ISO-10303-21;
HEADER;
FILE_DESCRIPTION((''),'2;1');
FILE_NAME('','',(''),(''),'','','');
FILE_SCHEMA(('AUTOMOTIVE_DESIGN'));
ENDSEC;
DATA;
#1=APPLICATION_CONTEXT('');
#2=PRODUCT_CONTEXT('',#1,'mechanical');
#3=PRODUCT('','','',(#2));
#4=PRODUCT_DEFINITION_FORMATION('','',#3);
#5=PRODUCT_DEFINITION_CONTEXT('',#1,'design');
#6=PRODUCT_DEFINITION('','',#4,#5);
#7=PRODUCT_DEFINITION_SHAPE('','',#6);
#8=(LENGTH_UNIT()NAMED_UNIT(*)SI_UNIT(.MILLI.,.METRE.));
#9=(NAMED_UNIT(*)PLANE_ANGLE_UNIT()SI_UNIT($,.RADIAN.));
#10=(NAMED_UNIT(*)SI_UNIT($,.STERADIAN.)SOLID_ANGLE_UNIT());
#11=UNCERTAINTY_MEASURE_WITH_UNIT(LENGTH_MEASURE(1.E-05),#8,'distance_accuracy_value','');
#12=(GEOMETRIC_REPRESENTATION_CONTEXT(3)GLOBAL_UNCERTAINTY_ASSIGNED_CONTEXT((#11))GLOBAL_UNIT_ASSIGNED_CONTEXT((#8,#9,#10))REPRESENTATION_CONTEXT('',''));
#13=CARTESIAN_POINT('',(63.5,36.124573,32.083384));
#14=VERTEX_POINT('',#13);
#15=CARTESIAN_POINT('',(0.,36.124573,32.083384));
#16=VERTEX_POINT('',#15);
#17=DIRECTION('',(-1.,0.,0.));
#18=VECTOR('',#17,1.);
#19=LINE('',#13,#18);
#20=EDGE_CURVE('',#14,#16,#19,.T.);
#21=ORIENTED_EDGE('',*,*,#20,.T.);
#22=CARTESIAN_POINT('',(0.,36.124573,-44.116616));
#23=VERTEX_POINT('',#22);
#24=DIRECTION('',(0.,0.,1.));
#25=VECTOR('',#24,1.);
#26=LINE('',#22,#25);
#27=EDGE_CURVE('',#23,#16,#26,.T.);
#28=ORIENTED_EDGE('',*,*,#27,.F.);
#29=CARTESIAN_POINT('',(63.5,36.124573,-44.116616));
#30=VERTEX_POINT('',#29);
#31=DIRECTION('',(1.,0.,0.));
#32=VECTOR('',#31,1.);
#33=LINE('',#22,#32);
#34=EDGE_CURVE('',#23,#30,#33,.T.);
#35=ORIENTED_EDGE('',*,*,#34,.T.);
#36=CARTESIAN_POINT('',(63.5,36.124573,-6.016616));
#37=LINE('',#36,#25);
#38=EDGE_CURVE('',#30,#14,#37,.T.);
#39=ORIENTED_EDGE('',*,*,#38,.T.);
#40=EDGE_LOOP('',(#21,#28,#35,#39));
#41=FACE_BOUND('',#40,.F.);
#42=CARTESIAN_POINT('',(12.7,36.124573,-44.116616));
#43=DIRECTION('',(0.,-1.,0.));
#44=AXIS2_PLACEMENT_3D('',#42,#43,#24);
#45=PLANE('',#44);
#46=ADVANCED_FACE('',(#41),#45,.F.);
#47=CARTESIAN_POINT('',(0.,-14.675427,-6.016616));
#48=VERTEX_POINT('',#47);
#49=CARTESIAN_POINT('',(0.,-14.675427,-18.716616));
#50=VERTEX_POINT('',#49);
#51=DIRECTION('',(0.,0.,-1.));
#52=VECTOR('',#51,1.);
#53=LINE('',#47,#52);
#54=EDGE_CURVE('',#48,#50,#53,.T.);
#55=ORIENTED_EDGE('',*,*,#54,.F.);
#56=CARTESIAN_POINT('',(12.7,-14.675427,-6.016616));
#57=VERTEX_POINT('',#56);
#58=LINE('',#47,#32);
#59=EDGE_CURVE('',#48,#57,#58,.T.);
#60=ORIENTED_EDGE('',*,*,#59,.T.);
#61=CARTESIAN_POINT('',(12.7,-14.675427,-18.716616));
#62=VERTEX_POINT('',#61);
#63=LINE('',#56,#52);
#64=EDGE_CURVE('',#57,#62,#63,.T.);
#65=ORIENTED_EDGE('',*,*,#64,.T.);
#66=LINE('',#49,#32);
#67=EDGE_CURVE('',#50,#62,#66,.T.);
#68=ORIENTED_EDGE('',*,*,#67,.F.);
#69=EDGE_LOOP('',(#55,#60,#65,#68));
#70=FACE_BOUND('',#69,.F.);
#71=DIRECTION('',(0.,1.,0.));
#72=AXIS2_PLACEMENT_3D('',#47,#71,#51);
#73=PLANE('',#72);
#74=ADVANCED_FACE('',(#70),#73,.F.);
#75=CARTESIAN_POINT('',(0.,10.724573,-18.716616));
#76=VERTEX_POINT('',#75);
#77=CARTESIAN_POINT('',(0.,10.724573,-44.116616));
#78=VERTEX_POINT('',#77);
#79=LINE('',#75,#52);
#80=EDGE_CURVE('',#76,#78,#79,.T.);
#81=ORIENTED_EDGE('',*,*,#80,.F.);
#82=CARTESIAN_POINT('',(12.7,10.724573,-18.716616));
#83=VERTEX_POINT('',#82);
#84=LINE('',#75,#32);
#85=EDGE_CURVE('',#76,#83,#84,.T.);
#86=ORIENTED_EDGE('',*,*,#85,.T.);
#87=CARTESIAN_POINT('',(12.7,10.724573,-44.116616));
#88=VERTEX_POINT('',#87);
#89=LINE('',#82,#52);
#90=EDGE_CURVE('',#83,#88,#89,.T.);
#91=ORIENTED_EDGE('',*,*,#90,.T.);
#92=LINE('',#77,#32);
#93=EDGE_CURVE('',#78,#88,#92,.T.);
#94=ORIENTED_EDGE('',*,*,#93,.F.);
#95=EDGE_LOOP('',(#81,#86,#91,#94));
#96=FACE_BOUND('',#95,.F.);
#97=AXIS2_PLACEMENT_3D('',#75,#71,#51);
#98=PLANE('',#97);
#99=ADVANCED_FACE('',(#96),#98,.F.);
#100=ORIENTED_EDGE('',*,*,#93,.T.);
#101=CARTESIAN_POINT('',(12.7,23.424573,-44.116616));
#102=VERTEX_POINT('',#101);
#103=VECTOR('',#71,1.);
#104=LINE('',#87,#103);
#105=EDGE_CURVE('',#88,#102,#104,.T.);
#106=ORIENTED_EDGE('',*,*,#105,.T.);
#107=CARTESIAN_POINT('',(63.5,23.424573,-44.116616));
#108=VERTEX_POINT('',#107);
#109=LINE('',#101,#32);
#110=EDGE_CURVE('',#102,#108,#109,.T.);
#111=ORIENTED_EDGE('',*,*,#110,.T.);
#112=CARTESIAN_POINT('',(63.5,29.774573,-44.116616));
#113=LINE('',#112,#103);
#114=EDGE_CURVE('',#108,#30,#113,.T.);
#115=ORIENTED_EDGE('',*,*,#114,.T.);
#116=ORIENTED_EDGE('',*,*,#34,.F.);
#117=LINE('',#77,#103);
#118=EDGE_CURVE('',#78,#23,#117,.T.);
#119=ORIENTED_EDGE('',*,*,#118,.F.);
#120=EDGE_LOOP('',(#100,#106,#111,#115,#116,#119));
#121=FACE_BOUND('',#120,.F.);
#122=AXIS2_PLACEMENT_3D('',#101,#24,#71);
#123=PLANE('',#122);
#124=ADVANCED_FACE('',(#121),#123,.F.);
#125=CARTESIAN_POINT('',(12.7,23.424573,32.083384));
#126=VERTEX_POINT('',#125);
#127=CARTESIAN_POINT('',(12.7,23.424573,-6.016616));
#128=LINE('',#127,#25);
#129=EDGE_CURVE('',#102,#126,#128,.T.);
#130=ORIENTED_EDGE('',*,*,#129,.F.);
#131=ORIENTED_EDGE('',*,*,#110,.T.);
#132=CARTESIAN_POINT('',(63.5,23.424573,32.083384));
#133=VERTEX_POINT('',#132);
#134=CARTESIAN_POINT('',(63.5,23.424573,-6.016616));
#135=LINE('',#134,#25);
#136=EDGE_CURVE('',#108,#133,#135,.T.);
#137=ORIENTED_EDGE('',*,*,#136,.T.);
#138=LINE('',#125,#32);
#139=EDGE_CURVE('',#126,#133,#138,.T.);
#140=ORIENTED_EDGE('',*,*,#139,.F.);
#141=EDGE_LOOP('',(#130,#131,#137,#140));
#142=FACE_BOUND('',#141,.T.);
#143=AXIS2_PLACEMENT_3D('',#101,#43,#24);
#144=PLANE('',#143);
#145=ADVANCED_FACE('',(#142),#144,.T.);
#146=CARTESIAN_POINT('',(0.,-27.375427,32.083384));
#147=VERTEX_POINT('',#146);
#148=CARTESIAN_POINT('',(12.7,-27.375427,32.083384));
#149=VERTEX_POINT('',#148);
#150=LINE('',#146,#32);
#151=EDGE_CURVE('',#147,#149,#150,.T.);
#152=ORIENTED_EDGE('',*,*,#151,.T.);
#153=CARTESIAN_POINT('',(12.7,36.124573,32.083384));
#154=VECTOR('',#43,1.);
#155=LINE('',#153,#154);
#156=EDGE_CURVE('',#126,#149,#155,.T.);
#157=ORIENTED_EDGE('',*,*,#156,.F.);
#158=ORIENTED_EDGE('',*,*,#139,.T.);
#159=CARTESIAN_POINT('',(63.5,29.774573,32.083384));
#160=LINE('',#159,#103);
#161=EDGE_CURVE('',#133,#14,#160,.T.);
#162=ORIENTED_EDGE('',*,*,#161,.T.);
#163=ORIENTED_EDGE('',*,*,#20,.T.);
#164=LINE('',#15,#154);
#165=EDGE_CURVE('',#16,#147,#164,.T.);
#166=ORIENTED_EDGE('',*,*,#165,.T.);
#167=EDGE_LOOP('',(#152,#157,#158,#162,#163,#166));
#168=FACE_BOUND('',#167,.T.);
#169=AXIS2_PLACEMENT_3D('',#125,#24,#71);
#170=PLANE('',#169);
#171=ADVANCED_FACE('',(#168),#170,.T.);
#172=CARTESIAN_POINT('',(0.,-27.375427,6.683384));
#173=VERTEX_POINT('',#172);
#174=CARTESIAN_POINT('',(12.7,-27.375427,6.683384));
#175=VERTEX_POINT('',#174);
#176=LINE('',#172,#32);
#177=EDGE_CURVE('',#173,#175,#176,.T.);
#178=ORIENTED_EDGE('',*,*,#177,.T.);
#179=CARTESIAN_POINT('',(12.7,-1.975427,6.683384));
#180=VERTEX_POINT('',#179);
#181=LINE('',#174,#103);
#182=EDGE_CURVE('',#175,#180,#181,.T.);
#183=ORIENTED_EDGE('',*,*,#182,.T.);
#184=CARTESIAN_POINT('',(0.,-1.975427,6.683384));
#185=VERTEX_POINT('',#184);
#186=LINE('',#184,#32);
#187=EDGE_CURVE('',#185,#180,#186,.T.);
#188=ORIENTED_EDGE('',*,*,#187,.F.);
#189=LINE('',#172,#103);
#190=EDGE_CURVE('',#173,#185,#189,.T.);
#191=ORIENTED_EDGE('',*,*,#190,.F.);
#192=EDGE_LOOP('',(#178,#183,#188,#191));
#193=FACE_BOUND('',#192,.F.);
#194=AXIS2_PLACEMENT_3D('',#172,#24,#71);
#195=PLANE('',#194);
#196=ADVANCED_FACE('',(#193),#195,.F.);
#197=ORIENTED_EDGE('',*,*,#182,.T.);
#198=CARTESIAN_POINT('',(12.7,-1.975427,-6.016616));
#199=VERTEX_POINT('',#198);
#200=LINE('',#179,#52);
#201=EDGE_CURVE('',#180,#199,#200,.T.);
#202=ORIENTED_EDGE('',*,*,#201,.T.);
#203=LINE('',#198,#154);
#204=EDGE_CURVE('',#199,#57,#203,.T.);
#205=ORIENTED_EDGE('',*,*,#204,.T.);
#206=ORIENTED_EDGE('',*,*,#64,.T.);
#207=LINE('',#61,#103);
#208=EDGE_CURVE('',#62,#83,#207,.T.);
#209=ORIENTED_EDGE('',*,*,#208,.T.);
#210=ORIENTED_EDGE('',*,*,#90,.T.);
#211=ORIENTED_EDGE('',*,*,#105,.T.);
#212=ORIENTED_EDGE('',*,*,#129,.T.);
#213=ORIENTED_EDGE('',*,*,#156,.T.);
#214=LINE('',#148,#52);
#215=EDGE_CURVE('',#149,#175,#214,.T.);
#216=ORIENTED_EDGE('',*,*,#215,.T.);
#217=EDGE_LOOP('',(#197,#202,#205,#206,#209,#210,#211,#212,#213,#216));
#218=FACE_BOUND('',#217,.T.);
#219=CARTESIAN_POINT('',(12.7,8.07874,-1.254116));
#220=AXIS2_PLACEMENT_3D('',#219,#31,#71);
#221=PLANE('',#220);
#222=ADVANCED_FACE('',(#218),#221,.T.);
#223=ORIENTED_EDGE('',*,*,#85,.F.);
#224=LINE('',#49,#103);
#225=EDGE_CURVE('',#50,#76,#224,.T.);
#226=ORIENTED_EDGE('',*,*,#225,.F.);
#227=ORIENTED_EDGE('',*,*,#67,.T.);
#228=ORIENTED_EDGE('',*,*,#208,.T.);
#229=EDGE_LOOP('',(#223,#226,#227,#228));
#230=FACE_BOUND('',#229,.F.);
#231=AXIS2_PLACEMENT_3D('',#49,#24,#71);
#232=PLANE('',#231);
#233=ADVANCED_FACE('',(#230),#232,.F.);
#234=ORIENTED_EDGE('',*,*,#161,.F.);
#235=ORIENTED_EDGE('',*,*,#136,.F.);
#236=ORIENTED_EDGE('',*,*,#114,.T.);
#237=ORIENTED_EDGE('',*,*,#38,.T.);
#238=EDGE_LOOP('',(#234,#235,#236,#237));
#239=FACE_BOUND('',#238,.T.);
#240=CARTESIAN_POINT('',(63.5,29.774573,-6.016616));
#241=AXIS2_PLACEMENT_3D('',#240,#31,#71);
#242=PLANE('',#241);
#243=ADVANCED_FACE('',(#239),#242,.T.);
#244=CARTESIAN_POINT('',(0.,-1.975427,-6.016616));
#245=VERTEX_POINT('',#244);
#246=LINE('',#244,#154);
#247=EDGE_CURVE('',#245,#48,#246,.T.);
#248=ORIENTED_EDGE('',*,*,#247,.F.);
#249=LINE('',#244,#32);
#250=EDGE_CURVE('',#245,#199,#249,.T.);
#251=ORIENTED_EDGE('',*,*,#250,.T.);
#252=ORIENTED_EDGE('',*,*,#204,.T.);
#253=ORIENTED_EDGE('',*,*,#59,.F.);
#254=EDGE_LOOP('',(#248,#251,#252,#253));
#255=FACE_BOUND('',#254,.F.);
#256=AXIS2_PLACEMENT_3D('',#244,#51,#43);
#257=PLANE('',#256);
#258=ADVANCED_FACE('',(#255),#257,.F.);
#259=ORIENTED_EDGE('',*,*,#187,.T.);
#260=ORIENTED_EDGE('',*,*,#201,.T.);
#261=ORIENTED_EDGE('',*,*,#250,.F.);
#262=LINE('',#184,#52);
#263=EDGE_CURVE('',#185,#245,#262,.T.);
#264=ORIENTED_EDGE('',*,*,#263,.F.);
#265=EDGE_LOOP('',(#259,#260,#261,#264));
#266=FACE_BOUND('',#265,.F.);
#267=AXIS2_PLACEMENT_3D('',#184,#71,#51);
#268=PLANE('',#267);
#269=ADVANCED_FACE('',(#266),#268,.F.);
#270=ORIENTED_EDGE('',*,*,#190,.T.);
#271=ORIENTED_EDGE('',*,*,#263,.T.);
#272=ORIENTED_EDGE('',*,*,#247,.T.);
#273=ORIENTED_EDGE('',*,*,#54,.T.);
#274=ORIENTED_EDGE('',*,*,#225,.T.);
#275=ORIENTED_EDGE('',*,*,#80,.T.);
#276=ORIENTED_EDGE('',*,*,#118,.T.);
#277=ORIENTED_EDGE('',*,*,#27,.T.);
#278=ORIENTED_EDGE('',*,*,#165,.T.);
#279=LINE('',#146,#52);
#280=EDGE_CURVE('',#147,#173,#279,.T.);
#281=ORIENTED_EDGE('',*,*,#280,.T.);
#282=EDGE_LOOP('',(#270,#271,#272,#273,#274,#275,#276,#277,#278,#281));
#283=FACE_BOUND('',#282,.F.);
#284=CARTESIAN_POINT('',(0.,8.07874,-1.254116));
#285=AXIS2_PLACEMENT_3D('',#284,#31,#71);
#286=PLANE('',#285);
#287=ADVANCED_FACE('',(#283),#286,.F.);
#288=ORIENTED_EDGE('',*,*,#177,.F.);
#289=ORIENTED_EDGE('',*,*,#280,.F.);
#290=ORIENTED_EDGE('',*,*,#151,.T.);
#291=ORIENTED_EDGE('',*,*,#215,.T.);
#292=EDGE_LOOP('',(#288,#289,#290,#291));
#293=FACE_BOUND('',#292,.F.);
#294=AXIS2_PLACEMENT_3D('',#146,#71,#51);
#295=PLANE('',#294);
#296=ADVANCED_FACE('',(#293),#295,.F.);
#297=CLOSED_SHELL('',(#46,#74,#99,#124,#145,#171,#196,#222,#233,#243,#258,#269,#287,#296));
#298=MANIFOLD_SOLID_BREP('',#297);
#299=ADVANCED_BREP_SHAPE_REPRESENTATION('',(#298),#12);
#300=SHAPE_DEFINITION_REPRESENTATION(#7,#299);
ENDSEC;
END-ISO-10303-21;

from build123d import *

# Parameters (mm, degrees)
F1_DEPTH = 12.7
F2_W     = 12.7
F2_H     = 76.2
F3_DEPTH = 50.8


with BuildPart() as f1:
    # F0 (on Right) → F1 (new body)
    with BuildSketch(Plane.YZ):
        Polygon((10.724573, -44.116616), (36.124573, -44.116616), (36.124573, 32.083384), (-27.375427, 32.083384), (-27.375427, 6.683384), (-1.975427, 6.683384), (-1.975427, -6.016616), (-14.675427, -6.016616), (-14.675427, -18.716616), (10.724573, -18.716616), align=None)
    extrude(amount=F1_DEPTH)

    # F2 (on face) → F3 (join)
    with BuildSketch(Plane.YZ.offset(12.7)):
        with Locations((29.774573, -6.016616)):
            Rectangle(F2_W, F2_H)
    extrude(amount=F3_DEPTH)


solid = f1.part
